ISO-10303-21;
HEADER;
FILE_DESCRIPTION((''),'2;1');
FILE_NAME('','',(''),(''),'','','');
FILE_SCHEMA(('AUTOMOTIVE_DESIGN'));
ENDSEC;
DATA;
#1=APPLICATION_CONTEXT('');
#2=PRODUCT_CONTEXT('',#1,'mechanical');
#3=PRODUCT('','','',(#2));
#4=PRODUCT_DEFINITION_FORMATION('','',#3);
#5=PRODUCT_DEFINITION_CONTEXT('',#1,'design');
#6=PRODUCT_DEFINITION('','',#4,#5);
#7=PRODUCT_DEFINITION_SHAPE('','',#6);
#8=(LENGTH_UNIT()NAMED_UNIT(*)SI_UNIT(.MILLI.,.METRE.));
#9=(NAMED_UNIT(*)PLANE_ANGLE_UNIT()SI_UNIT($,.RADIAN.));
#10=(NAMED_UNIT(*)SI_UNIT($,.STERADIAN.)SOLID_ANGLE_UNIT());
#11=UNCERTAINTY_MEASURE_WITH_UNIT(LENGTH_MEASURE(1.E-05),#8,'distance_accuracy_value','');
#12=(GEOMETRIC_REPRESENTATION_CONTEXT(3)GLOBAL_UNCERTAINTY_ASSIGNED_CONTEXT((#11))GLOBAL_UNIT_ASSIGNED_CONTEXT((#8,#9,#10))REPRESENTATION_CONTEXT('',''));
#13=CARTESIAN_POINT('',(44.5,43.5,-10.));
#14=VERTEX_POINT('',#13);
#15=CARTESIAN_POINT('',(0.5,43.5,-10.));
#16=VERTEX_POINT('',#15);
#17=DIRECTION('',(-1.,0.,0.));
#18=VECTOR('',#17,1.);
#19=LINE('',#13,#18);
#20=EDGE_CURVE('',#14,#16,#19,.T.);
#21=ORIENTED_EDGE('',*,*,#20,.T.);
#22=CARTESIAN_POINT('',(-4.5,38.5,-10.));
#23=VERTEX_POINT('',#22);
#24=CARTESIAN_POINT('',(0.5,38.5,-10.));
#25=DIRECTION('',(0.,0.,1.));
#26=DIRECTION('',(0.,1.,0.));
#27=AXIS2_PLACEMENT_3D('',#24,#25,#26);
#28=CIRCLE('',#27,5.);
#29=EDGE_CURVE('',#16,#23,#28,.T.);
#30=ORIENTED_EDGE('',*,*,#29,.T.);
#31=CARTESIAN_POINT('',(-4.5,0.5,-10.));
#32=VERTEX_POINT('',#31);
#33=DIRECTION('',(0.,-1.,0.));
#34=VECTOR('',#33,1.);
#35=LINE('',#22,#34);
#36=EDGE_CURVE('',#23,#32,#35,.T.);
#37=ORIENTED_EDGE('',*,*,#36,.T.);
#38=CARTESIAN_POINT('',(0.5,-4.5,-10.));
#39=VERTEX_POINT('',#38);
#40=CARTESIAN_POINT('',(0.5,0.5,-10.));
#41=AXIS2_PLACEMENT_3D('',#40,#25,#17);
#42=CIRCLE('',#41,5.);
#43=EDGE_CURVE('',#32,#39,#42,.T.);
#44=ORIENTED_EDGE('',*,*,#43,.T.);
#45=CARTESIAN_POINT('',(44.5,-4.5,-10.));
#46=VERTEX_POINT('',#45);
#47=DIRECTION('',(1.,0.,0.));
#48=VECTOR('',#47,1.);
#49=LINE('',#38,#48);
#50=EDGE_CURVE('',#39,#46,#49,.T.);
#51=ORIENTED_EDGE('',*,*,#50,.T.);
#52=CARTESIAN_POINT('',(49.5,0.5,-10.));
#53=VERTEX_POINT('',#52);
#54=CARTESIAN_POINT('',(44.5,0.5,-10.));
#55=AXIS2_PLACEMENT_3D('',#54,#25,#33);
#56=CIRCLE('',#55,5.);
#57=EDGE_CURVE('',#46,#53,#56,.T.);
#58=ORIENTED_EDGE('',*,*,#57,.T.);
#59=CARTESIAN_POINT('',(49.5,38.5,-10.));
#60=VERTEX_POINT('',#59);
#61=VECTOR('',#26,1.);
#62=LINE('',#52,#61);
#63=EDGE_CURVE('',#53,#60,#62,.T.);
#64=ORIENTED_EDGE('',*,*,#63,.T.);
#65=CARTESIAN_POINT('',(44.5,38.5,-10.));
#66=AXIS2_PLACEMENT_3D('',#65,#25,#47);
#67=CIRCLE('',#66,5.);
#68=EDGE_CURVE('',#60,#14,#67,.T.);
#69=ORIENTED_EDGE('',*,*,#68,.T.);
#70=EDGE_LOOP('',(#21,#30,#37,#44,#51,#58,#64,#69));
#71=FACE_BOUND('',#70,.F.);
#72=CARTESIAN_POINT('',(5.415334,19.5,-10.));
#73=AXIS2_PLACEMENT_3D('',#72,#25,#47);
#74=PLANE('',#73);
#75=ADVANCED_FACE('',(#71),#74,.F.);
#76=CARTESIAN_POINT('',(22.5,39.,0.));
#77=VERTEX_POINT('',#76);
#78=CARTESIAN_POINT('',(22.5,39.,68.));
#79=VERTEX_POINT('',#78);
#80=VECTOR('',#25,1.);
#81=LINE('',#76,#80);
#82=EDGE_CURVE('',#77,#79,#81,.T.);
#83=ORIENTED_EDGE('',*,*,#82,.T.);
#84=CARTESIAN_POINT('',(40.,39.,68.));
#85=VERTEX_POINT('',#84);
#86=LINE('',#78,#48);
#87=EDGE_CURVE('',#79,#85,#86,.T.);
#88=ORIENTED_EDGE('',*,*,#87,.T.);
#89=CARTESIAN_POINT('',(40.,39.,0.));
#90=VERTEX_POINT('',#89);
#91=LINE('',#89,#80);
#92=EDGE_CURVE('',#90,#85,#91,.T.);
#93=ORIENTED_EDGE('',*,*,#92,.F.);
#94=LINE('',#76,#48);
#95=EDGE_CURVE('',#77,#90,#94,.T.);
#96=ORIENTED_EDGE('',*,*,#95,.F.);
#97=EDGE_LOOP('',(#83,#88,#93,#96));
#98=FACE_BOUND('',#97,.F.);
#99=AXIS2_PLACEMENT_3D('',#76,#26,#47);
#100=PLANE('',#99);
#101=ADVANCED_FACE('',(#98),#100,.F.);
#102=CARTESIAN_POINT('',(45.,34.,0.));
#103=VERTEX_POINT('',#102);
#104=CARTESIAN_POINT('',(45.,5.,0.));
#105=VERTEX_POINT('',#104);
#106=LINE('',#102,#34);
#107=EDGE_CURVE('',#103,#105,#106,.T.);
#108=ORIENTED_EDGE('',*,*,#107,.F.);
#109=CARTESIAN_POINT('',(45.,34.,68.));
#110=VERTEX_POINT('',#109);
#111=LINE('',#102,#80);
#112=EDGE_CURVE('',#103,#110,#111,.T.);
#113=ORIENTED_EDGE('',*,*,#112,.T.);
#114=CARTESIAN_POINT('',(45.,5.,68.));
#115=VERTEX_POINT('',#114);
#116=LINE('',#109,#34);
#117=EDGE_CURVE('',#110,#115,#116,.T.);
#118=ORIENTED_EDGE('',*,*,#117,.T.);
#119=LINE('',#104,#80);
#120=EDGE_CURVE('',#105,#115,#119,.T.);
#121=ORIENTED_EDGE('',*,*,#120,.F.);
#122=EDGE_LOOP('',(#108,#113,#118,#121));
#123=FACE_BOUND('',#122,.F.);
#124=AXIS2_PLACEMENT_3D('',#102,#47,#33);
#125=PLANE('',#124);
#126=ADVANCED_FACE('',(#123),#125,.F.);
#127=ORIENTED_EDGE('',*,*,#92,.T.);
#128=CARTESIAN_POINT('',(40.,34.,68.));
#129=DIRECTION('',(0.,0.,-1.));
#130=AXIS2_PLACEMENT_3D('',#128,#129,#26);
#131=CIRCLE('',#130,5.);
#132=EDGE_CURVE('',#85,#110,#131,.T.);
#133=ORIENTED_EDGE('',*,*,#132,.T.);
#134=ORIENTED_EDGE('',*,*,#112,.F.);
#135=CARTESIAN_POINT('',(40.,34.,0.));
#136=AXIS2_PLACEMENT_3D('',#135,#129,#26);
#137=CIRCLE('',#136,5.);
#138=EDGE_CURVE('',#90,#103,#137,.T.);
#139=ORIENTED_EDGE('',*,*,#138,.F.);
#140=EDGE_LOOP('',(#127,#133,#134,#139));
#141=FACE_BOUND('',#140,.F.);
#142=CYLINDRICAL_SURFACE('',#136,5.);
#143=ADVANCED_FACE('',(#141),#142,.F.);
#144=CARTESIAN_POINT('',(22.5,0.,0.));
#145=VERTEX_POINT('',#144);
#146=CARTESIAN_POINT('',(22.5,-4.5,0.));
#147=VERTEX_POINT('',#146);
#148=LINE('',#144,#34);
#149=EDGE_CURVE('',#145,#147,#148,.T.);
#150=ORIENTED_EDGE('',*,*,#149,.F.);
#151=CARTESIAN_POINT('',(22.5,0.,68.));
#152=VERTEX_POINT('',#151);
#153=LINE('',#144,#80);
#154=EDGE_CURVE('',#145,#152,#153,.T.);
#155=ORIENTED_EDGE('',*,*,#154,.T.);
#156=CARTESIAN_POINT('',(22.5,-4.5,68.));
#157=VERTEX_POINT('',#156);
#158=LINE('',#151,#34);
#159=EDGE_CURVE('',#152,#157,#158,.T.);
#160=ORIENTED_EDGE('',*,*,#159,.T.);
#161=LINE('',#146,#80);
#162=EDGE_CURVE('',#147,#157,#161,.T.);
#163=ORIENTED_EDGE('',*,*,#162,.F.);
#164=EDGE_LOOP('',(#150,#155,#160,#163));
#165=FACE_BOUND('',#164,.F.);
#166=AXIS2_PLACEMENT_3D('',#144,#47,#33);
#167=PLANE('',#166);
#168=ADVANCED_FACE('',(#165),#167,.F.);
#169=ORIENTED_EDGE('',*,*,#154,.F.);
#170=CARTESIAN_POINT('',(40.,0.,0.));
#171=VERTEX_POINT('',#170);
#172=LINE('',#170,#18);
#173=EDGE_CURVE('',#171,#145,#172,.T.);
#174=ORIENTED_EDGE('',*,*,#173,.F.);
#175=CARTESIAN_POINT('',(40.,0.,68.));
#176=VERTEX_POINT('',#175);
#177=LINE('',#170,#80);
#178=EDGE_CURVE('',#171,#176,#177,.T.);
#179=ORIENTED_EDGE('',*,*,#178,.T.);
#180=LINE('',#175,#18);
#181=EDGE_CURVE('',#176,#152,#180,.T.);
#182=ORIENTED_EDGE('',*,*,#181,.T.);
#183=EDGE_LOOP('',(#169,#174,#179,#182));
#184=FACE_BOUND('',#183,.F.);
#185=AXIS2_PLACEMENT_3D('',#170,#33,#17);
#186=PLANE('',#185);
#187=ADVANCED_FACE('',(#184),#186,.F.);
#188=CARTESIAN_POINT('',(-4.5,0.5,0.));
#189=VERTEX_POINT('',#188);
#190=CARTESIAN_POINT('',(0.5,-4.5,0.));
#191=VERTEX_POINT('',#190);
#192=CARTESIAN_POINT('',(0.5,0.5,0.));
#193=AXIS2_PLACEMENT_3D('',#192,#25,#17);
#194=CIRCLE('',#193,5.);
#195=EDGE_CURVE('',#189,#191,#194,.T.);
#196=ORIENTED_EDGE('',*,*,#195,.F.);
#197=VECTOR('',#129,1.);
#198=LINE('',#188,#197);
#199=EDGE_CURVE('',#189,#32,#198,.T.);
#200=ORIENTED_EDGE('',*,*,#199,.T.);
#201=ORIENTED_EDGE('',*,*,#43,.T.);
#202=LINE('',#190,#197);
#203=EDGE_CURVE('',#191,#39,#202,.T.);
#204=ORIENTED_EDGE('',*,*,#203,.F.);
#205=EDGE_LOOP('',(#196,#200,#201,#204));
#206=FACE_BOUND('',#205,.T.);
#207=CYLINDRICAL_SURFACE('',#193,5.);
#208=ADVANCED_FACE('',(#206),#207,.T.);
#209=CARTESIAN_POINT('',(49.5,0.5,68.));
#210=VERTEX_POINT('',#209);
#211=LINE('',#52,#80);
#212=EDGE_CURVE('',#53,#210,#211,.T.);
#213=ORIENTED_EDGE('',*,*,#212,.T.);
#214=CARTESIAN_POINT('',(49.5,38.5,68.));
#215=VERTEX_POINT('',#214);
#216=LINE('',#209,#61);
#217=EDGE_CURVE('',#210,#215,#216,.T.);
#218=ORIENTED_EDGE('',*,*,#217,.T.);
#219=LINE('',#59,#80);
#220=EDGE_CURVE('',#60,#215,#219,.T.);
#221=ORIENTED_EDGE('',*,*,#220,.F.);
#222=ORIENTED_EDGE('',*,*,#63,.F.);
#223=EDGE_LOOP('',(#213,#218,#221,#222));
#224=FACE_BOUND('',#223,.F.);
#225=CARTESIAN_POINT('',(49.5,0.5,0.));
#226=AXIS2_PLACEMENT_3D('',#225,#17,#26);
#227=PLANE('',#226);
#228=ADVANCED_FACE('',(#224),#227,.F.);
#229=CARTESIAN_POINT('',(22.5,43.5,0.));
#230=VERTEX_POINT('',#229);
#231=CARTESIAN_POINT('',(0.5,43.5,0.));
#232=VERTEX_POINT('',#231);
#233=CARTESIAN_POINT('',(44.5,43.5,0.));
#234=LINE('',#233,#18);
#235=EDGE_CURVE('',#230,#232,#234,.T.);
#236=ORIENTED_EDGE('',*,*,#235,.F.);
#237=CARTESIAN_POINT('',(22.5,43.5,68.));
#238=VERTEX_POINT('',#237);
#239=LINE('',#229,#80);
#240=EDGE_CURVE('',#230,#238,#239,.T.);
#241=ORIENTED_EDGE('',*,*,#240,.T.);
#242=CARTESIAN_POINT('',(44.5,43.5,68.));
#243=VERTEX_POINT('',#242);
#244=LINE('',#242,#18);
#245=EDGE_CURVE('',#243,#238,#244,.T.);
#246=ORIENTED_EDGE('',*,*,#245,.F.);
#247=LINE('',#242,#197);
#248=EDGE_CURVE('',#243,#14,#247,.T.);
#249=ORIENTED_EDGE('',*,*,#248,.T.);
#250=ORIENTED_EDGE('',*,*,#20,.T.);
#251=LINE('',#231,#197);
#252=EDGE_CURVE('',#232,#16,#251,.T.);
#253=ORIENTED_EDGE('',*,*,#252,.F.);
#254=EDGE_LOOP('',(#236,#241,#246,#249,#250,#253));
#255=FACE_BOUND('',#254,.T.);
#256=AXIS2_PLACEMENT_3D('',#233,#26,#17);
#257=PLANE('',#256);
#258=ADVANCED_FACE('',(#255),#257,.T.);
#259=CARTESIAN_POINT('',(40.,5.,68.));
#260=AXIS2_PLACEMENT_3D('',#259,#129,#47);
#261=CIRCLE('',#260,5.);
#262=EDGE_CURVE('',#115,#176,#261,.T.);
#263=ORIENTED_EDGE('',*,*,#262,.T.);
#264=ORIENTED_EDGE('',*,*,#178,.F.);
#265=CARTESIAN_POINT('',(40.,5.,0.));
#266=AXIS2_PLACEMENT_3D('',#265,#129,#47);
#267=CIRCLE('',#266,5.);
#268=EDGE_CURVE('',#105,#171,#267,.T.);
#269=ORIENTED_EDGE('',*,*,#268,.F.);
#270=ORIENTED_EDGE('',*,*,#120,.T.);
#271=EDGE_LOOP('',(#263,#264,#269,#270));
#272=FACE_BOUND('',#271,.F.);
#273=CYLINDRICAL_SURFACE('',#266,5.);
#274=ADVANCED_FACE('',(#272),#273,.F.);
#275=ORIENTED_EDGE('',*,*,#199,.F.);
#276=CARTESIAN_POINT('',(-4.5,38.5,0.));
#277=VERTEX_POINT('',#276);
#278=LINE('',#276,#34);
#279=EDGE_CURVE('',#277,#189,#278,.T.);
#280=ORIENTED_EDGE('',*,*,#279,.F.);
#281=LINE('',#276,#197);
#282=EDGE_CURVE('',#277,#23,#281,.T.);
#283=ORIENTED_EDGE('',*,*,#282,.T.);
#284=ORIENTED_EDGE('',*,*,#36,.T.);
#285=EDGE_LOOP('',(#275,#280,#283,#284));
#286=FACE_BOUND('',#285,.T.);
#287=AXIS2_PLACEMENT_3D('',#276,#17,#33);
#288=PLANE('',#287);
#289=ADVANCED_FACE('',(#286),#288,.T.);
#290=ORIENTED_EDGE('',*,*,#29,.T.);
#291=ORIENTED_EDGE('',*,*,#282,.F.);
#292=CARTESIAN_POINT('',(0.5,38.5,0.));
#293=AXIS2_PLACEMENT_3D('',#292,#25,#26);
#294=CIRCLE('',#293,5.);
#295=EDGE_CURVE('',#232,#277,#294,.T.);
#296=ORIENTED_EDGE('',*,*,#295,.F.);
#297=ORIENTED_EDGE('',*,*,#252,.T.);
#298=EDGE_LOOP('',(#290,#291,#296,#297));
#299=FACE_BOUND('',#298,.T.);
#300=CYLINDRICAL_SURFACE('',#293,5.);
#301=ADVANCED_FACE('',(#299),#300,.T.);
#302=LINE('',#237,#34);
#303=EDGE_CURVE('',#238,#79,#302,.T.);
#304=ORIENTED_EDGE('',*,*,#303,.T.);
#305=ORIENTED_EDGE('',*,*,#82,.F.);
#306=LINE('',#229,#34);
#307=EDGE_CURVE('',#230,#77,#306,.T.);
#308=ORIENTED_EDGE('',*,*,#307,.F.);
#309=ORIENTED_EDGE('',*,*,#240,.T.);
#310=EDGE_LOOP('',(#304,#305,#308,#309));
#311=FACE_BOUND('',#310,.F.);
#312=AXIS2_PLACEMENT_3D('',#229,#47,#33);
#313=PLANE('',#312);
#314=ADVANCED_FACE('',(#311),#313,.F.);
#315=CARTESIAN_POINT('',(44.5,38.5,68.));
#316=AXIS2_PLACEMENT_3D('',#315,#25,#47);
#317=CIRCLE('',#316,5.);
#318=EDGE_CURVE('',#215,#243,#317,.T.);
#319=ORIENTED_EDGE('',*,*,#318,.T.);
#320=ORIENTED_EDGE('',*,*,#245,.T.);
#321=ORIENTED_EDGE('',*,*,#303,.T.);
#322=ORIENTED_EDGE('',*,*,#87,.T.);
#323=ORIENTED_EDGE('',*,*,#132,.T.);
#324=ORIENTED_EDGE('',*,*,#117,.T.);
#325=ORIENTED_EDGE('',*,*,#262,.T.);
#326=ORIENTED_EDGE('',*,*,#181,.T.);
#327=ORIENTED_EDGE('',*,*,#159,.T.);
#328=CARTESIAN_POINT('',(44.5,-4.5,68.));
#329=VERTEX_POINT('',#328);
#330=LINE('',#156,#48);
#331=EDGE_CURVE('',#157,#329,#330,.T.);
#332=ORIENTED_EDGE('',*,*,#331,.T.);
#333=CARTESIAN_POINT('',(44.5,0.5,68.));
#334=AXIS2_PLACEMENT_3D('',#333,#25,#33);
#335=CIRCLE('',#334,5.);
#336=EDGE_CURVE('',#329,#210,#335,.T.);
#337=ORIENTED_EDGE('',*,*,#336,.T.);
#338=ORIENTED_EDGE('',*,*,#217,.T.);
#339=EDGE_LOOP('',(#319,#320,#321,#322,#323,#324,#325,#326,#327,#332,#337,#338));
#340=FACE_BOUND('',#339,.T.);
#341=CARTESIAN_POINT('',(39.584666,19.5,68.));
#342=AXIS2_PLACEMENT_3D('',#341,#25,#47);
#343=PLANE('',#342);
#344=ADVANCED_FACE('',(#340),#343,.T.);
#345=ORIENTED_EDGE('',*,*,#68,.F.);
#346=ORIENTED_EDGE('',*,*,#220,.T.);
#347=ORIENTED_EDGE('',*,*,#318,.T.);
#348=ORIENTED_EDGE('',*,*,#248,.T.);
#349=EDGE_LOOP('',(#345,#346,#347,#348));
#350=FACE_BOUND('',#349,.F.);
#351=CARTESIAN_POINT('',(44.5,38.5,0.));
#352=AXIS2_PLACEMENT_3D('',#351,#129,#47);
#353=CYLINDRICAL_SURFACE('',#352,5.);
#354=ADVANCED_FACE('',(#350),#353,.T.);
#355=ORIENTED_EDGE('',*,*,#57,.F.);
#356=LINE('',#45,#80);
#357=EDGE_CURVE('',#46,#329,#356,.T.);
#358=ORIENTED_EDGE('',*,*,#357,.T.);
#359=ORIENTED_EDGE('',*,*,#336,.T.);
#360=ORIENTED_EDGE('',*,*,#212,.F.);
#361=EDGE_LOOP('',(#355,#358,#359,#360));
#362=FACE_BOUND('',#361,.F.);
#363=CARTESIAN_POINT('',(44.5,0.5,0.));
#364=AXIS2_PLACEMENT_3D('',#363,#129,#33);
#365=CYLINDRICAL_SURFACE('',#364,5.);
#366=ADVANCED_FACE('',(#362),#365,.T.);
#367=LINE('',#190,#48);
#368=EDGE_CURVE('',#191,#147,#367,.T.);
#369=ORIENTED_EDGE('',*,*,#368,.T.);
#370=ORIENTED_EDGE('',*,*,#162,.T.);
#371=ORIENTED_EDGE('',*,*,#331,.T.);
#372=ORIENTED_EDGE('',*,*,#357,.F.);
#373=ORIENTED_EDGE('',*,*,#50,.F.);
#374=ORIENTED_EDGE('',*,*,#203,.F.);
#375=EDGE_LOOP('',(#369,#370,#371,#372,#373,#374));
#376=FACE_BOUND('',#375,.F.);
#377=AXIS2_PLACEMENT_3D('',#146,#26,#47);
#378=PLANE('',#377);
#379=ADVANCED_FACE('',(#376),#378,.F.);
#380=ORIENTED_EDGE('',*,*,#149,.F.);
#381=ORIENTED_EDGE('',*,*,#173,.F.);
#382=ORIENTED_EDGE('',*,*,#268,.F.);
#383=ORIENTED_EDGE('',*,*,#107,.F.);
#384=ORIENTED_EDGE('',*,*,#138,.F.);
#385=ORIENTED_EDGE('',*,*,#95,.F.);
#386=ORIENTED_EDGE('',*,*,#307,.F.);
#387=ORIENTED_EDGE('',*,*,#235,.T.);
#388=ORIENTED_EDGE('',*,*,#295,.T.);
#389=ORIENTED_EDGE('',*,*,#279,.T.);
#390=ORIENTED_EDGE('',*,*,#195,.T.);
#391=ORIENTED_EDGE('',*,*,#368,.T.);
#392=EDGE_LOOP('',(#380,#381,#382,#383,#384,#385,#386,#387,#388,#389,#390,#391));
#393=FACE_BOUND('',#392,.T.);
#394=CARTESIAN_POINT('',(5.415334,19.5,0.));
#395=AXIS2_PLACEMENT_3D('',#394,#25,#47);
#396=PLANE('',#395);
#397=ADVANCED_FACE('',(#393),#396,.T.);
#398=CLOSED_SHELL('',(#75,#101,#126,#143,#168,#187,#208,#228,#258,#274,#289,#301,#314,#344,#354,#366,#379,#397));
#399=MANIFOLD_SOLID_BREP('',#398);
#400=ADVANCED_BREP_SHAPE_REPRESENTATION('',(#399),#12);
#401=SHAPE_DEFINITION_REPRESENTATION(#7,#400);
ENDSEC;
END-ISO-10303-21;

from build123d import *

# Parameters (mm, degrees)
F1_DEPTH = 10
F2_DEPTH = 68


with BuildPart() as f1:
    # F0 (on Top) → F1 (new body)
    with BuildSketch(Plane.XY):
        with BuildLine():
            Line((22.5, 0), (5, 0))
            ThreePointArc((5, 0), (1.4644660941, 1.4644660941), (0, 5))
            Line((0, 5), (0, 34))
            ThreePointArc((0, 34), (1.4644660941, 37.5355339059), (5, 39))
            Line((5, 39), (22.5, 39))
            Line((22.5, 39), (22.5, 43.5))
            Line((22.5, 43.5), (0.5, 43.5))
            ThreePointArc((0.5, 43.5), (-3.0355339059, 42.0355339059), (-4.5, 38.5))
            Line((-4.5, 38.5), (-4.5, 0.5))
            ThreePointArc((-4.5, 0.5), (-3.0355339059, -3.0355339059), (0.5, -4.5))
            Line((0.5, -4.5), (22.5, -4.5))
            Line((22.5, -4.5), (22.5, 0))
        make_face()
        with BuildLine():
            Line((40, 0), (22.5, 0))
            Line((22.5, 0), (22.5, -4.5))
            Line((22.5, -4.5), (44.5, -4.5))
            ThreePointArc((44.5, -4.5), (48.0355339059, -3.0355339059), (49.5, 0.5))
            Line((49.5, 0.5), (49.5, 38.5))
            ThreePointArc((49.5, 38.5), (48.0355339059, 42.0355339059), (44.5, 43.5))
            Line((44.5, 43.5), (22.5, 43.5))
            Line((22.5, 43.5), (22.5, 39))
            Line((22.5, 39), (40, 39))
            ThreePointArc((40, 39), (43.5355339059, 37.5355339059), (45, 34))
            Line((45, 34), (45, 5))
            ThreePointArc((45, 5), (43.5355339059, 1.4644660941), (40, 0))
        make_face()
        with BuildLine():
            ThreePointArc((0, 5), (1.4644660941, 1.4644660941), (5, 0))
            Line((5, 0), (22.5, 0))
            Line((22.5, 0), (40, 0))
            ThreePointArc((40, 0), (43.5355339059, 1.4644660941), (45, 5))
            Line((45, 5), (45, 34))
            ThreePointArc((45, 34), (43.5355339059, 37.5355339059), (40, 39))
            Line((40, 39), (22.5, 39))
            Line((22.5, 39), (5, 39))
            ThreePointArc((5, 39), (1.4644660941, 37.5355339059), (0, 34))
            Line((0, 34), (0, 5))
        make_face()
    extrude(amount=-F1_DEPTH)

    # F0 (on Top) → F2 (join)
    with BuildSketch(Plane.XY):
        with BuildLine():
            Line((40, 0), (22.5, 0))
            Line((22.5, 0), (22.5, -4.5))
            Line((22.5, -4.5), (44.5, -4.5))
            ThreePointArc((44.5, -4.5), (48.0355339059, -3.0355339059), (49.5, 0.5))
            Line((49.5, 0.5), (49.5, 38.5))
            ThreePointArc((49.5, 38.5), (48.0355339059, 42.0355339059), (44.5, 43.5))
            Line((44.5, 43.5), (22.5, 43.5))
            Line((22.5, 43.5), (22.5, 39))
            Line((22.5, 39), (40, 39))
            ThreePointArc((40, 39), (43.5355339059, 37.5355339059), (45, 34))
            Line((45, 34), (45, 5))
            ThreePointArc((45, 5), (43.5355339059, 1.4644660941), (40, 0))
        make_face()
    extrude(amount=F2_DEPTH)


solid = f1.part
